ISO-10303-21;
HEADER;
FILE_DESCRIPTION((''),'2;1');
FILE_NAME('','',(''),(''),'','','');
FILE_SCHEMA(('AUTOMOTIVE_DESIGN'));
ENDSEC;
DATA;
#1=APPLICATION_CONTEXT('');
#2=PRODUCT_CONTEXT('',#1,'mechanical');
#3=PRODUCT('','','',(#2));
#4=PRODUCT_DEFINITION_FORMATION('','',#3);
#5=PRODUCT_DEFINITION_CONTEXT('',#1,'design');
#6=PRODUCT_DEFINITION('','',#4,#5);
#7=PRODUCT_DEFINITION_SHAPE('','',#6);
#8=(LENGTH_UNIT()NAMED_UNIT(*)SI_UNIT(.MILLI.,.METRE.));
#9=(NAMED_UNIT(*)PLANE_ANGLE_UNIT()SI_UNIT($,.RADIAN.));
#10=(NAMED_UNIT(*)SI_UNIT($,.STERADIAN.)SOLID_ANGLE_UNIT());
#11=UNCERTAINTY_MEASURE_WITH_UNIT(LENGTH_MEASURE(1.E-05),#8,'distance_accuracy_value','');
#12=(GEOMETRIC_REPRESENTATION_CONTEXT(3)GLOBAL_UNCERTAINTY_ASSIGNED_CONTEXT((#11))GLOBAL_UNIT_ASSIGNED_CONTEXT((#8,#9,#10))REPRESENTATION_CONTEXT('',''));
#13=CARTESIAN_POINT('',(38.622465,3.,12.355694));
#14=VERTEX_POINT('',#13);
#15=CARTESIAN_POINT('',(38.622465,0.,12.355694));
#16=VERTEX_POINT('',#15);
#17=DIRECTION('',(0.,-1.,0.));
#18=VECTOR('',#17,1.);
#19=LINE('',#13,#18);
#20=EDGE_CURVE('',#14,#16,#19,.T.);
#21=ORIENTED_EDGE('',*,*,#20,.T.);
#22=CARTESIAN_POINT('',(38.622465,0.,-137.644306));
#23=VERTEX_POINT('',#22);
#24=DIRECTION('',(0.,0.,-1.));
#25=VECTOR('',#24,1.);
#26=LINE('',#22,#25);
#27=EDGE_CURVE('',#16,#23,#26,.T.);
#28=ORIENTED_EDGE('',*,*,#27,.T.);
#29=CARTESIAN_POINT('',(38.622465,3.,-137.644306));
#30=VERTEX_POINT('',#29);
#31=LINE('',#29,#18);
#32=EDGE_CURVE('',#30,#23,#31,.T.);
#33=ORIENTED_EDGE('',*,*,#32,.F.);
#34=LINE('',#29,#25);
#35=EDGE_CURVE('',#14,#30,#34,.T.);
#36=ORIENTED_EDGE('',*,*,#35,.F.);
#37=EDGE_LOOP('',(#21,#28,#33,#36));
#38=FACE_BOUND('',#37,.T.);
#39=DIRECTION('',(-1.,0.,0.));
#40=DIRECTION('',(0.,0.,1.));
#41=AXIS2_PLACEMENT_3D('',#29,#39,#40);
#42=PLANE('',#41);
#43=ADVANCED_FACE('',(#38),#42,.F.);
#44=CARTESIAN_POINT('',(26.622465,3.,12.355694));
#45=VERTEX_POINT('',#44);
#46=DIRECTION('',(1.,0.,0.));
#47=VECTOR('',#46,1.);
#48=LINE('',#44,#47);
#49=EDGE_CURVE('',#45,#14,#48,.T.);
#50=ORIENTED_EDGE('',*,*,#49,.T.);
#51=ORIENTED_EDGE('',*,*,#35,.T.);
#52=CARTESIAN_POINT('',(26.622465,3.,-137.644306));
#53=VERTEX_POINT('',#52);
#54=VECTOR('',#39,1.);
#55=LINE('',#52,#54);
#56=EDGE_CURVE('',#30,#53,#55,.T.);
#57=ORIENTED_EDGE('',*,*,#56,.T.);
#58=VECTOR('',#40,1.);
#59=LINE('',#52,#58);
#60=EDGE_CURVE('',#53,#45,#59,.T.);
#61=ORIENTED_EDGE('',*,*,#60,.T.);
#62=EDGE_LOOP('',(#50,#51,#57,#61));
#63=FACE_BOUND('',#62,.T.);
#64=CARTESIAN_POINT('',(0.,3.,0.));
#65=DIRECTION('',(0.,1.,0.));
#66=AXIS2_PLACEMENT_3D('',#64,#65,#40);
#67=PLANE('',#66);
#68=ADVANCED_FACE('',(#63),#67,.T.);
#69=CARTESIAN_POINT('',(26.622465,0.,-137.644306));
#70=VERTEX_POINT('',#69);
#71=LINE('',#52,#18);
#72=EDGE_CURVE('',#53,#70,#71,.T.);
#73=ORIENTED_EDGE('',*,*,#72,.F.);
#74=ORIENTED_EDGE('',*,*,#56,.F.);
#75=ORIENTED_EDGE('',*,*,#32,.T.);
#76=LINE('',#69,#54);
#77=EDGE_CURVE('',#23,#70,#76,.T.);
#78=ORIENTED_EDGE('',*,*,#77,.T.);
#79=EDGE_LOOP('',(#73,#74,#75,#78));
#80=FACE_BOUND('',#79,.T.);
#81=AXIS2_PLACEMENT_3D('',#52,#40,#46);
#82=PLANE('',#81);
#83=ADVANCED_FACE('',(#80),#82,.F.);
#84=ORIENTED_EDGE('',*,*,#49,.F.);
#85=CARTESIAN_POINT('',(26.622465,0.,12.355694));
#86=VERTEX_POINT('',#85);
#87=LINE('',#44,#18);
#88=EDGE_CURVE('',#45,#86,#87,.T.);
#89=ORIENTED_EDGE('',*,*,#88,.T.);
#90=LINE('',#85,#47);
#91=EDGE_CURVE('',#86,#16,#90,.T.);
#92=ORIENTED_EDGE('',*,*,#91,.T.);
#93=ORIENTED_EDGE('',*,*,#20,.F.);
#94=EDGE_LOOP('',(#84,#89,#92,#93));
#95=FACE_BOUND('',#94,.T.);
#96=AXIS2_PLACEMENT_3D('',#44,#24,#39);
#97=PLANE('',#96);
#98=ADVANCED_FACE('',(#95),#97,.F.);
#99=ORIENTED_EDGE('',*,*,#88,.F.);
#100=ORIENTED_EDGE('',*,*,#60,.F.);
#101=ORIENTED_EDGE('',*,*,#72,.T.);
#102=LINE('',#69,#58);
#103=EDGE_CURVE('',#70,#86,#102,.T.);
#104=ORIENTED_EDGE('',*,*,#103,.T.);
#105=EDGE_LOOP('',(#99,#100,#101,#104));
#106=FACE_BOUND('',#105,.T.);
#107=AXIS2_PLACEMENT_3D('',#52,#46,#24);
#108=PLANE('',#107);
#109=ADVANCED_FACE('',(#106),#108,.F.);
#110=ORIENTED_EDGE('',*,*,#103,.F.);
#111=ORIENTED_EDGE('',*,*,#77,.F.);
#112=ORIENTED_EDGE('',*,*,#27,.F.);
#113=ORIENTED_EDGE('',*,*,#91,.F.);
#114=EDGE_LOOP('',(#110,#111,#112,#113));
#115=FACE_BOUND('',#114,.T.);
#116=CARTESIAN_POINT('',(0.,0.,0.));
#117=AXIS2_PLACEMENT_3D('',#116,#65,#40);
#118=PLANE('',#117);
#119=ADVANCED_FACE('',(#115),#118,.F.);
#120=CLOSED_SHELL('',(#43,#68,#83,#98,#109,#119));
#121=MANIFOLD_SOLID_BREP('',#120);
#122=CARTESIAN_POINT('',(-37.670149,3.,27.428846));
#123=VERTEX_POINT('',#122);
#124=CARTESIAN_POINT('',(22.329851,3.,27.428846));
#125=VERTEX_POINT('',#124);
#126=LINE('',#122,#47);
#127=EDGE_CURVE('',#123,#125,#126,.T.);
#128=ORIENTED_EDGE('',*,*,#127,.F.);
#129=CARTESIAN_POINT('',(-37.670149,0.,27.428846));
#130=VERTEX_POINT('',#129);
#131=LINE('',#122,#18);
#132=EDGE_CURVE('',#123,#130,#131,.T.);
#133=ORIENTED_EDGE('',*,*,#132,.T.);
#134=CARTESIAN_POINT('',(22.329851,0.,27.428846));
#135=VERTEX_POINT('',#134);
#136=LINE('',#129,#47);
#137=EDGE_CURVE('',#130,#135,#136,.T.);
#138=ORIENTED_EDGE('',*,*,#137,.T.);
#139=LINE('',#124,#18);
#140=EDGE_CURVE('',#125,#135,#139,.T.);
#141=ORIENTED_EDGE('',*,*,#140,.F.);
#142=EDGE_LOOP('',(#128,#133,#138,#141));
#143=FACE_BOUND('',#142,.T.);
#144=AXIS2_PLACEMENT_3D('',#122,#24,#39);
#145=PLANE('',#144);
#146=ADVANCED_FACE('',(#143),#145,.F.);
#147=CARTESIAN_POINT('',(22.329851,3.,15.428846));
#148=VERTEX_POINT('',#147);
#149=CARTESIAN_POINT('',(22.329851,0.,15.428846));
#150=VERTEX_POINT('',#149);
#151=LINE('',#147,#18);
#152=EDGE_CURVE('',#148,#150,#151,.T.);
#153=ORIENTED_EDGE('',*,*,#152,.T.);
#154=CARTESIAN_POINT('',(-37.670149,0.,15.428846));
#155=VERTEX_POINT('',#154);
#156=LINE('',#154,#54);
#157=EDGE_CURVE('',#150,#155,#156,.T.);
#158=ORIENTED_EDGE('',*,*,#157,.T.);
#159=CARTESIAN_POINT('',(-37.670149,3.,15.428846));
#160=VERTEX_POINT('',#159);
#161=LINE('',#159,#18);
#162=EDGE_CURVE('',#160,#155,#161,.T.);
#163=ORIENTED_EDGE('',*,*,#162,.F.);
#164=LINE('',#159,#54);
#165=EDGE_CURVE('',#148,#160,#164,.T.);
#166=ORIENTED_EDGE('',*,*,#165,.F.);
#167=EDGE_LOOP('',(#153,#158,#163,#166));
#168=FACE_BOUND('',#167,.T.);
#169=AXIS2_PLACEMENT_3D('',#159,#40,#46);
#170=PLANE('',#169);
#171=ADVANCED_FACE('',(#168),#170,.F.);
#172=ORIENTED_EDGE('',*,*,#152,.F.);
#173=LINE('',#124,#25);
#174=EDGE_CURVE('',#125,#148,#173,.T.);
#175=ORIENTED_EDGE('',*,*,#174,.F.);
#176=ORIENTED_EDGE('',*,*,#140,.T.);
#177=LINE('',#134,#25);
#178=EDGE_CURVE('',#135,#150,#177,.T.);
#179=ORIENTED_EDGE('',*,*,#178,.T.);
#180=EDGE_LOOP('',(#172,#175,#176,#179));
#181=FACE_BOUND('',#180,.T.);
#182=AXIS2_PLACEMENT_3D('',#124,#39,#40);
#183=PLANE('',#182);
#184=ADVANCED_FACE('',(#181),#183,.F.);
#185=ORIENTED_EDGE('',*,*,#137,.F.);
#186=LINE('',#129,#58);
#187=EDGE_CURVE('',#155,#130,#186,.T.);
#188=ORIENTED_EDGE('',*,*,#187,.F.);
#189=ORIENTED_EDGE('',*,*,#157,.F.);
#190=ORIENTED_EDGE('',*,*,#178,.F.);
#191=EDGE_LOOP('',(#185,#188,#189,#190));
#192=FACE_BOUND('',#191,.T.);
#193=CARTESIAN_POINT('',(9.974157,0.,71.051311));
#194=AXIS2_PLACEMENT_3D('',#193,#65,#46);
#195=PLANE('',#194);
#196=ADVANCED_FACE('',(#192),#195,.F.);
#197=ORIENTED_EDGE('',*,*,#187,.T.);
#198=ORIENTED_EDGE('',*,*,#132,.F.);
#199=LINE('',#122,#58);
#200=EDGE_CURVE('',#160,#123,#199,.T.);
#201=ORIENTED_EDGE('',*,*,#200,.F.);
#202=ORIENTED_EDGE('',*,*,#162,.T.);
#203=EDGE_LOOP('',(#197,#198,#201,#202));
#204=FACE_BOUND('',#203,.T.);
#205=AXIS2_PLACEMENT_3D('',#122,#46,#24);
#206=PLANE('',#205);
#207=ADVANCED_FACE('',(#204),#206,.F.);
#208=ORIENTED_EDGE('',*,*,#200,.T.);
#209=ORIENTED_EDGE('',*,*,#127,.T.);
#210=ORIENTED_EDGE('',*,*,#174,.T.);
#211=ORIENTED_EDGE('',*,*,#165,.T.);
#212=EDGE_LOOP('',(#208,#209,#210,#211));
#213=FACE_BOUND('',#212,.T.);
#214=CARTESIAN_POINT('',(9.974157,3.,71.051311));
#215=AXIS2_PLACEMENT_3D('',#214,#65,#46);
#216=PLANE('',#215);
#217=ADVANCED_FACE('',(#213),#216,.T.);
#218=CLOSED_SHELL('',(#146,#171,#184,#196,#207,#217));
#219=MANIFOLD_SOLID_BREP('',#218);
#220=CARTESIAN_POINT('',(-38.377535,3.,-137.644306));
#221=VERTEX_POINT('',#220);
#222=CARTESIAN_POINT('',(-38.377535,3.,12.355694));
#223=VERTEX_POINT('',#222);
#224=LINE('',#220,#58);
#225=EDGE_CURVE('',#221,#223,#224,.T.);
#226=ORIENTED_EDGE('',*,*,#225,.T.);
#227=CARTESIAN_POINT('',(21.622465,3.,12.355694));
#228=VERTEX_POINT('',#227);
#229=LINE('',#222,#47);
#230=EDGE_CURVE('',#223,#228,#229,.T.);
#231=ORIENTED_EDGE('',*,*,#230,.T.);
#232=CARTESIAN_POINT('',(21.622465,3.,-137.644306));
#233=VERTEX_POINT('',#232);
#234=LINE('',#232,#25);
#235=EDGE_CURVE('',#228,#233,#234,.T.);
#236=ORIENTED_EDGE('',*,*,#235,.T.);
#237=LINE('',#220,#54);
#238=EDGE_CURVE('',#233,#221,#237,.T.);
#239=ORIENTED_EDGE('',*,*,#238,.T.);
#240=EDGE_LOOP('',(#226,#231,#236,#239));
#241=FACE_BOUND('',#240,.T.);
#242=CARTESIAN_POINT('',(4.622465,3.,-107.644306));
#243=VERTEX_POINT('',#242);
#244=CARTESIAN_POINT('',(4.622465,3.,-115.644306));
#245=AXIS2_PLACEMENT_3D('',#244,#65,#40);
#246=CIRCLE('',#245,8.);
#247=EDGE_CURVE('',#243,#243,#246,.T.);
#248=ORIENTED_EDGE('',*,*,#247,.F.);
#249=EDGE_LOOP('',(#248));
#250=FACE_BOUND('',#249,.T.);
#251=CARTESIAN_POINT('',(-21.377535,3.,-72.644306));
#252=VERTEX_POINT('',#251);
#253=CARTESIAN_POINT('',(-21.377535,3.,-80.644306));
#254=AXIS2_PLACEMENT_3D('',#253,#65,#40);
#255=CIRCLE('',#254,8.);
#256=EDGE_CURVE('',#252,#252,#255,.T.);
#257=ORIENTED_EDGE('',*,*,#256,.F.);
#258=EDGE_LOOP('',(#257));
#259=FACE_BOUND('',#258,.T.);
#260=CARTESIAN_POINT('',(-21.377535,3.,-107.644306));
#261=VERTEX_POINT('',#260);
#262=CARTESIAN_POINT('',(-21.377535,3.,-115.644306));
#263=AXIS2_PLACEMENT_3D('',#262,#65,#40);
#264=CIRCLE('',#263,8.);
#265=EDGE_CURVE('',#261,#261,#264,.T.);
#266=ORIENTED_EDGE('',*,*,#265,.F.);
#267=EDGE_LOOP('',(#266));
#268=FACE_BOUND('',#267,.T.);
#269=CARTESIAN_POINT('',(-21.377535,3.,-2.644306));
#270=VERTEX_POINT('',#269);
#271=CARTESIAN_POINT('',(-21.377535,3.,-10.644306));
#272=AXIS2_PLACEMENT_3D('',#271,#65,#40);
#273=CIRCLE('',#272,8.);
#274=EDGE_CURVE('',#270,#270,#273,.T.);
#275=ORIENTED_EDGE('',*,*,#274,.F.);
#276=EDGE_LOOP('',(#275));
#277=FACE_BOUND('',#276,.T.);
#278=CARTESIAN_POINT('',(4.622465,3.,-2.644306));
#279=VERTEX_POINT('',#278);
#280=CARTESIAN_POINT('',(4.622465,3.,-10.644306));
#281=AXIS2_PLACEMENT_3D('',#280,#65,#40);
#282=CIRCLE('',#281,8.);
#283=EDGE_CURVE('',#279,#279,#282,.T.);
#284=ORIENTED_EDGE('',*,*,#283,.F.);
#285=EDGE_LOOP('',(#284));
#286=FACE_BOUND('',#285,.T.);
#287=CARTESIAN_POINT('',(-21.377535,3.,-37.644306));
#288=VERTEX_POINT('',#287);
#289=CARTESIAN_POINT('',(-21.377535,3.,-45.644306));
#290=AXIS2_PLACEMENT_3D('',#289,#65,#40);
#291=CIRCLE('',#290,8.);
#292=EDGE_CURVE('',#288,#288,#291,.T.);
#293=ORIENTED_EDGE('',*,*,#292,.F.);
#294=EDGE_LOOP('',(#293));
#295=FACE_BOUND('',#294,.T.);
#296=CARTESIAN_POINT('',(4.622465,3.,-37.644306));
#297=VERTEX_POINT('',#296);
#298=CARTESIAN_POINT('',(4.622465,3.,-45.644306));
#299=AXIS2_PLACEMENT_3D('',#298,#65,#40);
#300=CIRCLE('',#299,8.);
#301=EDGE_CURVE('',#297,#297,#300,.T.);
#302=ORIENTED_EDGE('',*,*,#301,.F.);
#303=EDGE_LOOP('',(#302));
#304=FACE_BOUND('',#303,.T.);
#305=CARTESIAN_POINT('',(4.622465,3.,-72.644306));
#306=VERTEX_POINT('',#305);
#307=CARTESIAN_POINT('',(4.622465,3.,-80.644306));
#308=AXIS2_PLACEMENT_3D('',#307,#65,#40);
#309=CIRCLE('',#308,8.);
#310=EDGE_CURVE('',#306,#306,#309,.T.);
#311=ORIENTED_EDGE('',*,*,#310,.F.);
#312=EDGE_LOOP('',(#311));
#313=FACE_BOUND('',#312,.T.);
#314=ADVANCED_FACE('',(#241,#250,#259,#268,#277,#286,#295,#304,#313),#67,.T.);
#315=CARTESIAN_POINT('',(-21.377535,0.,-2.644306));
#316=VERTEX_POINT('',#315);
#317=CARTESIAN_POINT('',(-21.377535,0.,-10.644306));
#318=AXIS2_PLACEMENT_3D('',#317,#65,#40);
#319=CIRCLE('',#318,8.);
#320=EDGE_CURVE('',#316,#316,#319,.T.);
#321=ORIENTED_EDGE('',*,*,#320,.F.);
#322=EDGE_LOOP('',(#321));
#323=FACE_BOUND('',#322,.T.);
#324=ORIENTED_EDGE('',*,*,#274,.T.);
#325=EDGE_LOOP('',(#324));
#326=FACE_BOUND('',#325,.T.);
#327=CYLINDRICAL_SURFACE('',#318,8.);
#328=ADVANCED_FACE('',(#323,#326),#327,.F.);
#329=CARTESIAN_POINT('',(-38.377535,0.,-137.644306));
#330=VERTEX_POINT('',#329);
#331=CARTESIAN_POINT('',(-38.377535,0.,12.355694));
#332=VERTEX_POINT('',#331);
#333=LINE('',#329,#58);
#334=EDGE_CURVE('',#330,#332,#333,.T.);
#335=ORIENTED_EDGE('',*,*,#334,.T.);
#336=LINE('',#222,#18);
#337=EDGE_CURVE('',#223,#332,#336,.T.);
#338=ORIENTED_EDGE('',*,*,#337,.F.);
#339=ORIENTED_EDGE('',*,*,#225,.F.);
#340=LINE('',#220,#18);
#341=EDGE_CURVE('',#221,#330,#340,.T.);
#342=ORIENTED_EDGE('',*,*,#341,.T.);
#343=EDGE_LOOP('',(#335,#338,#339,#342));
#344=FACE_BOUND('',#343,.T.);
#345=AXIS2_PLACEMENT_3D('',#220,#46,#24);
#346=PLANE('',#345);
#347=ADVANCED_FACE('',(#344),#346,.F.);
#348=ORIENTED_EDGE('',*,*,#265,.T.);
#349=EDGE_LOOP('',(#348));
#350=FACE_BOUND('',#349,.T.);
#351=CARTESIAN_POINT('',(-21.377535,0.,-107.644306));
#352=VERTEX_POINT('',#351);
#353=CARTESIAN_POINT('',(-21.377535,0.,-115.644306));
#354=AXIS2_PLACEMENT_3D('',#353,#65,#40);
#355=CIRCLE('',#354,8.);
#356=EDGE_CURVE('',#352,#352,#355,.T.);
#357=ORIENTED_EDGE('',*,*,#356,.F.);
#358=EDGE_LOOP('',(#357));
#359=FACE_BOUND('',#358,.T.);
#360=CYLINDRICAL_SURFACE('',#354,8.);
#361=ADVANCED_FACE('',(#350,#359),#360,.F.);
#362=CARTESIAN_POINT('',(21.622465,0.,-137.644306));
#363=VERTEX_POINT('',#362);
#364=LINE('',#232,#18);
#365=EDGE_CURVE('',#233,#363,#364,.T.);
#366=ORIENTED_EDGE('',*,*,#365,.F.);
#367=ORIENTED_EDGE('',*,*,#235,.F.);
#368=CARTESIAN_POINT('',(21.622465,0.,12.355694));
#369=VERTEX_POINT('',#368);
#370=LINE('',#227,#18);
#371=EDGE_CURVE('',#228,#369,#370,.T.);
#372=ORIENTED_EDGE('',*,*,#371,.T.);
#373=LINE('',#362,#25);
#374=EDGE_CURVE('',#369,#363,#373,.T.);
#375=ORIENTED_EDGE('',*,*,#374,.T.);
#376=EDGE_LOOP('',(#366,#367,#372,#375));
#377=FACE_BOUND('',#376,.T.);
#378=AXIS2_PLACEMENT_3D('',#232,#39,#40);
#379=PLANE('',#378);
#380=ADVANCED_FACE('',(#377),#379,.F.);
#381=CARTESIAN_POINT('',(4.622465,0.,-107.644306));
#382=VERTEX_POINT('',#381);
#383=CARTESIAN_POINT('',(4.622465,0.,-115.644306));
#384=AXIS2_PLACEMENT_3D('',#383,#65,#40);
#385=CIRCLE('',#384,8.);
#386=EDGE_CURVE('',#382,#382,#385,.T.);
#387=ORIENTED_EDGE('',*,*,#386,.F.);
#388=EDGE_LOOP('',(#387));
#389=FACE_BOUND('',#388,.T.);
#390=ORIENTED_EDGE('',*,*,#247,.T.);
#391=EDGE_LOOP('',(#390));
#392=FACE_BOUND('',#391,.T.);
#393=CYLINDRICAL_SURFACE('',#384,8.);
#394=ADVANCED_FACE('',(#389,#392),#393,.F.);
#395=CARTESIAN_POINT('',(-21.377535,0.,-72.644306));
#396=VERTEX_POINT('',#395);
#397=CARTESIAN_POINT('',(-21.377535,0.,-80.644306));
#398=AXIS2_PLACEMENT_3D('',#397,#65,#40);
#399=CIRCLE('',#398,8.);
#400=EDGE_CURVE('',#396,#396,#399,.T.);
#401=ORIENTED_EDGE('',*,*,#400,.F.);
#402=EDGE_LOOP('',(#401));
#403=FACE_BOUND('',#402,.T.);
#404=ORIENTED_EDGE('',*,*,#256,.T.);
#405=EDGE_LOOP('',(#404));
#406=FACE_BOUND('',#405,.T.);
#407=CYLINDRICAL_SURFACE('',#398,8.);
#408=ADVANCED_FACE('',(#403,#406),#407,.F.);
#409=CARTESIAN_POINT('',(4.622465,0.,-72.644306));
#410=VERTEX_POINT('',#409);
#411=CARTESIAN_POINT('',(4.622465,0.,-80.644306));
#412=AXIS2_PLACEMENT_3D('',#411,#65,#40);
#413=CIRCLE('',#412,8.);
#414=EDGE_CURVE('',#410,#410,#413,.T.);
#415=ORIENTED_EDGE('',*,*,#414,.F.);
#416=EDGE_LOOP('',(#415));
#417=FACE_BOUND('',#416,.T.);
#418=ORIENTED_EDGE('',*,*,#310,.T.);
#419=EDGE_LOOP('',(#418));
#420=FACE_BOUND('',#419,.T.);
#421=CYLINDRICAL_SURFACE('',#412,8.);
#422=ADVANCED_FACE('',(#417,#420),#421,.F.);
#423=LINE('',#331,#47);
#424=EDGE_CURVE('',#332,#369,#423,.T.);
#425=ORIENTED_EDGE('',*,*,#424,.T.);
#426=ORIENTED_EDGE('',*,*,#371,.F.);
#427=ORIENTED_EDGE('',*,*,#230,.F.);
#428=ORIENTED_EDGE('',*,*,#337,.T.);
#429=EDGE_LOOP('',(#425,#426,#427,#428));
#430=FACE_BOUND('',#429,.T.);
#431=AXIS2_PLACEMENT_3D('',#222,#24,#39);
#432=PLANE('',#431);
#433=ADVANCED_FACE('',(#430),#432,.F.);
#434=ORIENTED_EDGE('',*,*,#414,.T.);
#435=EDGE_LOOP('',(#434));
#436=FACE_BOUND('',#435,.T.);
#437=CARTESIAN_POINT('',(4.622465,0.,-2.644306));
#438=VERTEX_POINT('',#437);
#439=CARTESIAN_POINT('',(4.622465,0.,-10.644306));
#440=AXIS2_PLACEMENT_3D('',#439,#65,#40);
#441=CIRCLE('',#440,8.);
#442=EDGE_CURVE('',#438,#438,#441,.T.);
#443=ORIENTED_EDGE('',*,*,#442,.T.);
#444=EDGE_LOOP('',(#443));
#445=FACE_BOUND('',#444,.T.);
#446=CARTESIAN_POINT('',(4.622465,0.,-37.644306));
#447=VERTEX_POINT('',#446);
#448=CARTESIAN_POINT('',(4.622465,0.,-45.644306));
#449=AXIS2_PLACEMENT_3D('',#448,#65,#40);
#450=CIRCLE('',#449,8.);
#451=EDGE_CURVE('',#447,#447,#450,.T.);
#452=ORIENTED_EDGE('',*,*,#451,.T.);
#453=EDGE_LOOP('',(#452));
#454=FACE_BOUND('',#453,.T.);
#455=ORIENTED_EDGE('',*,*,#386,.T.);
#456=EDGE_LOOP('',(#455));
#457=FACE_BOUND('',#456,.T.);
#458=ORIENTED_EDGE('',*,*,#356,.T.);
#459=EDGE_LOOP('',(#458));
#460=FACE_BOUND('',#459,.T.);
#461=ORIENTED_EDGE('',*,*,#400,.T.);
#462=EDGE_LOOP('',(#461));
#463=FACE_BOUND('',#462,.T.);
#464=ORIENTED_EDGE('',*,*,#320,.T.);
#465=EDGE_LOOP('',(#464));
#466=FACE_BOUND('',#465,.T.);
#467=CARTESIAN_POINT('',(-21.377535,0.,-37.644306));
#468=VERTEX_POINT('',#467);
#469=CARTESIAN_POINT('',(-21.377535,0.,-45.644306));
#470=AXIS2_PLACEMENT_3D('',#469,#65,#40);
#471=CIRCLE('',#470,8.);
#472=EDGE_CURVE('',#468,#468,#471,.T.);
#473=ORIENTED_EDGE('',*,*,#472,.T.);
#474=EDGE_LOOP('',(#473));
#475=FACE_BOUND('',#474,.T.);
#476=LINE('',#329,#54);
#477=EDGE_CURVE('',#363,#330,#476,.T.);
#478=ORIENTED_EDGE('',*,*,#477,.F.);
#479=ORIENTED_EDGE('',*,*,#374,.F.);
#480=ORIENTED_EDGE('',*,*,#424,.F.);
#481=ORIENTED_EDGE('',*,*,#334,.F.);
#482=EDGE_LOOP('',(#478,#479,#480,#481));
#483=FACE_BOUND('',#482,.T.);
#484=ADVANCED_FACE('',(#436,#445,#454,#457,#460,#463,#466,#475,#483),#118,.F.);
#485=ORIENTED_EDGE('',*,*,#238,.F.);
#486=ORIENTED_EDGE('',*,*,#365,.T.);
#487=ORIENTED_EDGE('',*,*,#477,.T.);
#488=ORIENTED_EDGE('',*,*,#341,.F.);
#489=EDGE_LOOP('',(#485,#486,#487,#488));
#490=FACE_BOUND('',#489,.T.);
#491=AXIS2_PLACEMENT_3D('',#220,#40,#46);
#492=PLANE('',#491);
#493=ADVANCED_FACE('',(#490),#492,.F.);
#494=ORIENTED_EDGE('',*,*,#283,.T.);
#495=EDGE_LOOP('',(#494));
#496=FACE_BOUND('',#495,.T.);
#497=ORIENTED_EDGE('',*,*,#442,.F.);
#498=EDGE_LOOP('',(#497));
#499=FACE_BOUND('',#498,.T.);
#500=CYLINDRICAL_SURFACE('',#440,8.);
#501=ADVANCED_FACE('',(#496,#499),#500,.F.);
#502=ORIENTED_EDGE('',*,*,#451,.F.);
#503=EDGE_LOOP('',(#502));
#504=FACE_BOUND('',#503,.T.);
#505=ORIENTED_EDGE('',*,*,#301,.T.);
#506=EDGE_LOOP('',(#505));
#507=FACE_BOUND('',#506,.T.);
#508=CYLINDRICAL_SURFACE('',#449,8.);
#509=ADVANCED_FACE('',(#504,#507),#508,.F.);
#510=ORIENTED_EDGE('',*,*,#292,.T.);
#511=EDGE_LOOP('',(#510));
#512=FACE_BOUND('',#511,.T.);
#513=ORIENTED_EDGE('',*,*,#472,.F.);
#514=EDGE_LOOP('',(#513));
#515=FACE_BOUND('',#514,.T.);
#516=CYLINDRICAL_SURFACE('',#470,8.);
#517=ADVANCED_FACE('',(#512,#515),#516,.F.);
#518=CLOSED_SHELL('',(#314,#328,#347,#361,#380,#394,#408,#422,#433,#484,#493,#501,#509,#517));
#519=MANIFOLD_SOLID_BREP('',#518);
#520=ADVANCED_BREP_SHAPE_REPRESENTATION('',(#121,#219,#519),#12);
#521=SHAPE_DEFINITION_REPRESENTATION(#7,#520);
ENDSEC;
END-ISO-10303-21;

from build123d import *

# Parameters (mm, degrees)
SKETCH1_W             = 60
SKETCH1_H             = 150
BOSS_EXTRUDE2_DEPTH   = 3
SKETCH2_W             = 12
SKETCH2_H             = 150
BOSS_EXTRUDE4_DEPTH   = 3
SKETCH3_W             = 12
SKETCH3_H             = 60
BOSS_EXTRUDE5_DEPTH   = 3
SKETCH4_R             = 8
CUT_EXTRUDE1_DEPTH    = 3
BODY_MOVE_COPY1_ANGLE = 90


with BuildPart() as part:
    # Sketch1 → Boss-Extrude2 (new body)
    with BuildSketch(Plane(origin=(0, 0, 0), x_dir=(1, 0, 0), z_dir=(0, 1, 0))):
        with Locations((-8.377535101, 62.644305772)):
            Rectangle(SKETCH1_W, SKETCH1_H)
    extrude(amount=BOSS_EXTRUDE2_DEPTH)

    # Sketch4 → Cut-Extrude1 (cut)
    with BuildSketch(Plane(origin=(0, 3, 0), x_dir=(1, 0, 0), z_dir=(0, 1, 0))):
        with Locations(Location((4.622464899, 10.644305772, 0), (0, 0, 270))):
            Circle(SKETCH4_R)
        with Locations(Location((-21.377535101, 10.644305772, 0), (0, 0, 270))):
            Circle(SKETCH4_R)
        with Locations(Location((4.622464899, 45.644305772, 0), (0, 0, 270))):
            Circle(SKETCH4_R)
        with Locations(Location((-21.377535101, 45.644305772, 0), (0, 0, 270))):
            Circle(SKETCH4_R)
        with Locations(Location((4.622464899, 80.644305772, 0), (0, 0, 270))):
            Circle(SKETCH4_R)
        with Locations(Location((-21.377535101, 80.644305772, 0), (0, 0, 270))):
            Circle(SKETCH4_R)
        with Locations(Location((4.622464899, 115.644305772, 0), (0, 0, 270))):
            Circle(SKETCH4_R)
        with Locations(Location((-21.377535101, 115.644305772, 0), (0, 0, 270))):
            Circle(SKETCH4_R)
    extrude(amount=-CUT_EXTRUDE1_DEPTH, mode=Mode.SUBTRACT)


with BuildPart() as body_2:
    # Sketch2 → Boss-Extrude4 (new body)
    with BuildSketch(Plane(origin=(0, 0, 0), x_dir=(1, 0, 0), z_dir=(0, 1, 0))):
        with Locations((32.622464899, 62.644305772)):
            Rectangle(SKETCH2_W, SKETCH2_H)
    extrude(amount=BOSS_EXTRUDE4_DEPTH)


with BuildPart() as body_3:
    # Sketch3 → Boss-Extrude5 (new body)
    with BuildSketch(Plane(origin=(0, 0, 0), x_dir=(1, 0, 0), z_dir=(0, 1, 0))):
        with Locations((49.622464899, 17.644305772)):
            Rectangle(SKETCH3_W, SKETCH3_H)
    extrude(amount=BOSS_EXTRUDE5_DEPTH)


with BuildPart() as body_3_1:
    # Body-Move/Copy1: moved
    add(body_3.part.rotate(Axis((99.629560174, 0, -43.26681982), (0, 1, 0)), BODY_MOVE_COPY1_ANGLE))


with BuildPart() as body_3_2:
    # Body-Move/Copy2: moved
    add(body_3_1.part.moved(Location((-132.922222744, 0, 14.688570542))))


solid = Compound([part.part, body_2.part, body_3_2.part])
